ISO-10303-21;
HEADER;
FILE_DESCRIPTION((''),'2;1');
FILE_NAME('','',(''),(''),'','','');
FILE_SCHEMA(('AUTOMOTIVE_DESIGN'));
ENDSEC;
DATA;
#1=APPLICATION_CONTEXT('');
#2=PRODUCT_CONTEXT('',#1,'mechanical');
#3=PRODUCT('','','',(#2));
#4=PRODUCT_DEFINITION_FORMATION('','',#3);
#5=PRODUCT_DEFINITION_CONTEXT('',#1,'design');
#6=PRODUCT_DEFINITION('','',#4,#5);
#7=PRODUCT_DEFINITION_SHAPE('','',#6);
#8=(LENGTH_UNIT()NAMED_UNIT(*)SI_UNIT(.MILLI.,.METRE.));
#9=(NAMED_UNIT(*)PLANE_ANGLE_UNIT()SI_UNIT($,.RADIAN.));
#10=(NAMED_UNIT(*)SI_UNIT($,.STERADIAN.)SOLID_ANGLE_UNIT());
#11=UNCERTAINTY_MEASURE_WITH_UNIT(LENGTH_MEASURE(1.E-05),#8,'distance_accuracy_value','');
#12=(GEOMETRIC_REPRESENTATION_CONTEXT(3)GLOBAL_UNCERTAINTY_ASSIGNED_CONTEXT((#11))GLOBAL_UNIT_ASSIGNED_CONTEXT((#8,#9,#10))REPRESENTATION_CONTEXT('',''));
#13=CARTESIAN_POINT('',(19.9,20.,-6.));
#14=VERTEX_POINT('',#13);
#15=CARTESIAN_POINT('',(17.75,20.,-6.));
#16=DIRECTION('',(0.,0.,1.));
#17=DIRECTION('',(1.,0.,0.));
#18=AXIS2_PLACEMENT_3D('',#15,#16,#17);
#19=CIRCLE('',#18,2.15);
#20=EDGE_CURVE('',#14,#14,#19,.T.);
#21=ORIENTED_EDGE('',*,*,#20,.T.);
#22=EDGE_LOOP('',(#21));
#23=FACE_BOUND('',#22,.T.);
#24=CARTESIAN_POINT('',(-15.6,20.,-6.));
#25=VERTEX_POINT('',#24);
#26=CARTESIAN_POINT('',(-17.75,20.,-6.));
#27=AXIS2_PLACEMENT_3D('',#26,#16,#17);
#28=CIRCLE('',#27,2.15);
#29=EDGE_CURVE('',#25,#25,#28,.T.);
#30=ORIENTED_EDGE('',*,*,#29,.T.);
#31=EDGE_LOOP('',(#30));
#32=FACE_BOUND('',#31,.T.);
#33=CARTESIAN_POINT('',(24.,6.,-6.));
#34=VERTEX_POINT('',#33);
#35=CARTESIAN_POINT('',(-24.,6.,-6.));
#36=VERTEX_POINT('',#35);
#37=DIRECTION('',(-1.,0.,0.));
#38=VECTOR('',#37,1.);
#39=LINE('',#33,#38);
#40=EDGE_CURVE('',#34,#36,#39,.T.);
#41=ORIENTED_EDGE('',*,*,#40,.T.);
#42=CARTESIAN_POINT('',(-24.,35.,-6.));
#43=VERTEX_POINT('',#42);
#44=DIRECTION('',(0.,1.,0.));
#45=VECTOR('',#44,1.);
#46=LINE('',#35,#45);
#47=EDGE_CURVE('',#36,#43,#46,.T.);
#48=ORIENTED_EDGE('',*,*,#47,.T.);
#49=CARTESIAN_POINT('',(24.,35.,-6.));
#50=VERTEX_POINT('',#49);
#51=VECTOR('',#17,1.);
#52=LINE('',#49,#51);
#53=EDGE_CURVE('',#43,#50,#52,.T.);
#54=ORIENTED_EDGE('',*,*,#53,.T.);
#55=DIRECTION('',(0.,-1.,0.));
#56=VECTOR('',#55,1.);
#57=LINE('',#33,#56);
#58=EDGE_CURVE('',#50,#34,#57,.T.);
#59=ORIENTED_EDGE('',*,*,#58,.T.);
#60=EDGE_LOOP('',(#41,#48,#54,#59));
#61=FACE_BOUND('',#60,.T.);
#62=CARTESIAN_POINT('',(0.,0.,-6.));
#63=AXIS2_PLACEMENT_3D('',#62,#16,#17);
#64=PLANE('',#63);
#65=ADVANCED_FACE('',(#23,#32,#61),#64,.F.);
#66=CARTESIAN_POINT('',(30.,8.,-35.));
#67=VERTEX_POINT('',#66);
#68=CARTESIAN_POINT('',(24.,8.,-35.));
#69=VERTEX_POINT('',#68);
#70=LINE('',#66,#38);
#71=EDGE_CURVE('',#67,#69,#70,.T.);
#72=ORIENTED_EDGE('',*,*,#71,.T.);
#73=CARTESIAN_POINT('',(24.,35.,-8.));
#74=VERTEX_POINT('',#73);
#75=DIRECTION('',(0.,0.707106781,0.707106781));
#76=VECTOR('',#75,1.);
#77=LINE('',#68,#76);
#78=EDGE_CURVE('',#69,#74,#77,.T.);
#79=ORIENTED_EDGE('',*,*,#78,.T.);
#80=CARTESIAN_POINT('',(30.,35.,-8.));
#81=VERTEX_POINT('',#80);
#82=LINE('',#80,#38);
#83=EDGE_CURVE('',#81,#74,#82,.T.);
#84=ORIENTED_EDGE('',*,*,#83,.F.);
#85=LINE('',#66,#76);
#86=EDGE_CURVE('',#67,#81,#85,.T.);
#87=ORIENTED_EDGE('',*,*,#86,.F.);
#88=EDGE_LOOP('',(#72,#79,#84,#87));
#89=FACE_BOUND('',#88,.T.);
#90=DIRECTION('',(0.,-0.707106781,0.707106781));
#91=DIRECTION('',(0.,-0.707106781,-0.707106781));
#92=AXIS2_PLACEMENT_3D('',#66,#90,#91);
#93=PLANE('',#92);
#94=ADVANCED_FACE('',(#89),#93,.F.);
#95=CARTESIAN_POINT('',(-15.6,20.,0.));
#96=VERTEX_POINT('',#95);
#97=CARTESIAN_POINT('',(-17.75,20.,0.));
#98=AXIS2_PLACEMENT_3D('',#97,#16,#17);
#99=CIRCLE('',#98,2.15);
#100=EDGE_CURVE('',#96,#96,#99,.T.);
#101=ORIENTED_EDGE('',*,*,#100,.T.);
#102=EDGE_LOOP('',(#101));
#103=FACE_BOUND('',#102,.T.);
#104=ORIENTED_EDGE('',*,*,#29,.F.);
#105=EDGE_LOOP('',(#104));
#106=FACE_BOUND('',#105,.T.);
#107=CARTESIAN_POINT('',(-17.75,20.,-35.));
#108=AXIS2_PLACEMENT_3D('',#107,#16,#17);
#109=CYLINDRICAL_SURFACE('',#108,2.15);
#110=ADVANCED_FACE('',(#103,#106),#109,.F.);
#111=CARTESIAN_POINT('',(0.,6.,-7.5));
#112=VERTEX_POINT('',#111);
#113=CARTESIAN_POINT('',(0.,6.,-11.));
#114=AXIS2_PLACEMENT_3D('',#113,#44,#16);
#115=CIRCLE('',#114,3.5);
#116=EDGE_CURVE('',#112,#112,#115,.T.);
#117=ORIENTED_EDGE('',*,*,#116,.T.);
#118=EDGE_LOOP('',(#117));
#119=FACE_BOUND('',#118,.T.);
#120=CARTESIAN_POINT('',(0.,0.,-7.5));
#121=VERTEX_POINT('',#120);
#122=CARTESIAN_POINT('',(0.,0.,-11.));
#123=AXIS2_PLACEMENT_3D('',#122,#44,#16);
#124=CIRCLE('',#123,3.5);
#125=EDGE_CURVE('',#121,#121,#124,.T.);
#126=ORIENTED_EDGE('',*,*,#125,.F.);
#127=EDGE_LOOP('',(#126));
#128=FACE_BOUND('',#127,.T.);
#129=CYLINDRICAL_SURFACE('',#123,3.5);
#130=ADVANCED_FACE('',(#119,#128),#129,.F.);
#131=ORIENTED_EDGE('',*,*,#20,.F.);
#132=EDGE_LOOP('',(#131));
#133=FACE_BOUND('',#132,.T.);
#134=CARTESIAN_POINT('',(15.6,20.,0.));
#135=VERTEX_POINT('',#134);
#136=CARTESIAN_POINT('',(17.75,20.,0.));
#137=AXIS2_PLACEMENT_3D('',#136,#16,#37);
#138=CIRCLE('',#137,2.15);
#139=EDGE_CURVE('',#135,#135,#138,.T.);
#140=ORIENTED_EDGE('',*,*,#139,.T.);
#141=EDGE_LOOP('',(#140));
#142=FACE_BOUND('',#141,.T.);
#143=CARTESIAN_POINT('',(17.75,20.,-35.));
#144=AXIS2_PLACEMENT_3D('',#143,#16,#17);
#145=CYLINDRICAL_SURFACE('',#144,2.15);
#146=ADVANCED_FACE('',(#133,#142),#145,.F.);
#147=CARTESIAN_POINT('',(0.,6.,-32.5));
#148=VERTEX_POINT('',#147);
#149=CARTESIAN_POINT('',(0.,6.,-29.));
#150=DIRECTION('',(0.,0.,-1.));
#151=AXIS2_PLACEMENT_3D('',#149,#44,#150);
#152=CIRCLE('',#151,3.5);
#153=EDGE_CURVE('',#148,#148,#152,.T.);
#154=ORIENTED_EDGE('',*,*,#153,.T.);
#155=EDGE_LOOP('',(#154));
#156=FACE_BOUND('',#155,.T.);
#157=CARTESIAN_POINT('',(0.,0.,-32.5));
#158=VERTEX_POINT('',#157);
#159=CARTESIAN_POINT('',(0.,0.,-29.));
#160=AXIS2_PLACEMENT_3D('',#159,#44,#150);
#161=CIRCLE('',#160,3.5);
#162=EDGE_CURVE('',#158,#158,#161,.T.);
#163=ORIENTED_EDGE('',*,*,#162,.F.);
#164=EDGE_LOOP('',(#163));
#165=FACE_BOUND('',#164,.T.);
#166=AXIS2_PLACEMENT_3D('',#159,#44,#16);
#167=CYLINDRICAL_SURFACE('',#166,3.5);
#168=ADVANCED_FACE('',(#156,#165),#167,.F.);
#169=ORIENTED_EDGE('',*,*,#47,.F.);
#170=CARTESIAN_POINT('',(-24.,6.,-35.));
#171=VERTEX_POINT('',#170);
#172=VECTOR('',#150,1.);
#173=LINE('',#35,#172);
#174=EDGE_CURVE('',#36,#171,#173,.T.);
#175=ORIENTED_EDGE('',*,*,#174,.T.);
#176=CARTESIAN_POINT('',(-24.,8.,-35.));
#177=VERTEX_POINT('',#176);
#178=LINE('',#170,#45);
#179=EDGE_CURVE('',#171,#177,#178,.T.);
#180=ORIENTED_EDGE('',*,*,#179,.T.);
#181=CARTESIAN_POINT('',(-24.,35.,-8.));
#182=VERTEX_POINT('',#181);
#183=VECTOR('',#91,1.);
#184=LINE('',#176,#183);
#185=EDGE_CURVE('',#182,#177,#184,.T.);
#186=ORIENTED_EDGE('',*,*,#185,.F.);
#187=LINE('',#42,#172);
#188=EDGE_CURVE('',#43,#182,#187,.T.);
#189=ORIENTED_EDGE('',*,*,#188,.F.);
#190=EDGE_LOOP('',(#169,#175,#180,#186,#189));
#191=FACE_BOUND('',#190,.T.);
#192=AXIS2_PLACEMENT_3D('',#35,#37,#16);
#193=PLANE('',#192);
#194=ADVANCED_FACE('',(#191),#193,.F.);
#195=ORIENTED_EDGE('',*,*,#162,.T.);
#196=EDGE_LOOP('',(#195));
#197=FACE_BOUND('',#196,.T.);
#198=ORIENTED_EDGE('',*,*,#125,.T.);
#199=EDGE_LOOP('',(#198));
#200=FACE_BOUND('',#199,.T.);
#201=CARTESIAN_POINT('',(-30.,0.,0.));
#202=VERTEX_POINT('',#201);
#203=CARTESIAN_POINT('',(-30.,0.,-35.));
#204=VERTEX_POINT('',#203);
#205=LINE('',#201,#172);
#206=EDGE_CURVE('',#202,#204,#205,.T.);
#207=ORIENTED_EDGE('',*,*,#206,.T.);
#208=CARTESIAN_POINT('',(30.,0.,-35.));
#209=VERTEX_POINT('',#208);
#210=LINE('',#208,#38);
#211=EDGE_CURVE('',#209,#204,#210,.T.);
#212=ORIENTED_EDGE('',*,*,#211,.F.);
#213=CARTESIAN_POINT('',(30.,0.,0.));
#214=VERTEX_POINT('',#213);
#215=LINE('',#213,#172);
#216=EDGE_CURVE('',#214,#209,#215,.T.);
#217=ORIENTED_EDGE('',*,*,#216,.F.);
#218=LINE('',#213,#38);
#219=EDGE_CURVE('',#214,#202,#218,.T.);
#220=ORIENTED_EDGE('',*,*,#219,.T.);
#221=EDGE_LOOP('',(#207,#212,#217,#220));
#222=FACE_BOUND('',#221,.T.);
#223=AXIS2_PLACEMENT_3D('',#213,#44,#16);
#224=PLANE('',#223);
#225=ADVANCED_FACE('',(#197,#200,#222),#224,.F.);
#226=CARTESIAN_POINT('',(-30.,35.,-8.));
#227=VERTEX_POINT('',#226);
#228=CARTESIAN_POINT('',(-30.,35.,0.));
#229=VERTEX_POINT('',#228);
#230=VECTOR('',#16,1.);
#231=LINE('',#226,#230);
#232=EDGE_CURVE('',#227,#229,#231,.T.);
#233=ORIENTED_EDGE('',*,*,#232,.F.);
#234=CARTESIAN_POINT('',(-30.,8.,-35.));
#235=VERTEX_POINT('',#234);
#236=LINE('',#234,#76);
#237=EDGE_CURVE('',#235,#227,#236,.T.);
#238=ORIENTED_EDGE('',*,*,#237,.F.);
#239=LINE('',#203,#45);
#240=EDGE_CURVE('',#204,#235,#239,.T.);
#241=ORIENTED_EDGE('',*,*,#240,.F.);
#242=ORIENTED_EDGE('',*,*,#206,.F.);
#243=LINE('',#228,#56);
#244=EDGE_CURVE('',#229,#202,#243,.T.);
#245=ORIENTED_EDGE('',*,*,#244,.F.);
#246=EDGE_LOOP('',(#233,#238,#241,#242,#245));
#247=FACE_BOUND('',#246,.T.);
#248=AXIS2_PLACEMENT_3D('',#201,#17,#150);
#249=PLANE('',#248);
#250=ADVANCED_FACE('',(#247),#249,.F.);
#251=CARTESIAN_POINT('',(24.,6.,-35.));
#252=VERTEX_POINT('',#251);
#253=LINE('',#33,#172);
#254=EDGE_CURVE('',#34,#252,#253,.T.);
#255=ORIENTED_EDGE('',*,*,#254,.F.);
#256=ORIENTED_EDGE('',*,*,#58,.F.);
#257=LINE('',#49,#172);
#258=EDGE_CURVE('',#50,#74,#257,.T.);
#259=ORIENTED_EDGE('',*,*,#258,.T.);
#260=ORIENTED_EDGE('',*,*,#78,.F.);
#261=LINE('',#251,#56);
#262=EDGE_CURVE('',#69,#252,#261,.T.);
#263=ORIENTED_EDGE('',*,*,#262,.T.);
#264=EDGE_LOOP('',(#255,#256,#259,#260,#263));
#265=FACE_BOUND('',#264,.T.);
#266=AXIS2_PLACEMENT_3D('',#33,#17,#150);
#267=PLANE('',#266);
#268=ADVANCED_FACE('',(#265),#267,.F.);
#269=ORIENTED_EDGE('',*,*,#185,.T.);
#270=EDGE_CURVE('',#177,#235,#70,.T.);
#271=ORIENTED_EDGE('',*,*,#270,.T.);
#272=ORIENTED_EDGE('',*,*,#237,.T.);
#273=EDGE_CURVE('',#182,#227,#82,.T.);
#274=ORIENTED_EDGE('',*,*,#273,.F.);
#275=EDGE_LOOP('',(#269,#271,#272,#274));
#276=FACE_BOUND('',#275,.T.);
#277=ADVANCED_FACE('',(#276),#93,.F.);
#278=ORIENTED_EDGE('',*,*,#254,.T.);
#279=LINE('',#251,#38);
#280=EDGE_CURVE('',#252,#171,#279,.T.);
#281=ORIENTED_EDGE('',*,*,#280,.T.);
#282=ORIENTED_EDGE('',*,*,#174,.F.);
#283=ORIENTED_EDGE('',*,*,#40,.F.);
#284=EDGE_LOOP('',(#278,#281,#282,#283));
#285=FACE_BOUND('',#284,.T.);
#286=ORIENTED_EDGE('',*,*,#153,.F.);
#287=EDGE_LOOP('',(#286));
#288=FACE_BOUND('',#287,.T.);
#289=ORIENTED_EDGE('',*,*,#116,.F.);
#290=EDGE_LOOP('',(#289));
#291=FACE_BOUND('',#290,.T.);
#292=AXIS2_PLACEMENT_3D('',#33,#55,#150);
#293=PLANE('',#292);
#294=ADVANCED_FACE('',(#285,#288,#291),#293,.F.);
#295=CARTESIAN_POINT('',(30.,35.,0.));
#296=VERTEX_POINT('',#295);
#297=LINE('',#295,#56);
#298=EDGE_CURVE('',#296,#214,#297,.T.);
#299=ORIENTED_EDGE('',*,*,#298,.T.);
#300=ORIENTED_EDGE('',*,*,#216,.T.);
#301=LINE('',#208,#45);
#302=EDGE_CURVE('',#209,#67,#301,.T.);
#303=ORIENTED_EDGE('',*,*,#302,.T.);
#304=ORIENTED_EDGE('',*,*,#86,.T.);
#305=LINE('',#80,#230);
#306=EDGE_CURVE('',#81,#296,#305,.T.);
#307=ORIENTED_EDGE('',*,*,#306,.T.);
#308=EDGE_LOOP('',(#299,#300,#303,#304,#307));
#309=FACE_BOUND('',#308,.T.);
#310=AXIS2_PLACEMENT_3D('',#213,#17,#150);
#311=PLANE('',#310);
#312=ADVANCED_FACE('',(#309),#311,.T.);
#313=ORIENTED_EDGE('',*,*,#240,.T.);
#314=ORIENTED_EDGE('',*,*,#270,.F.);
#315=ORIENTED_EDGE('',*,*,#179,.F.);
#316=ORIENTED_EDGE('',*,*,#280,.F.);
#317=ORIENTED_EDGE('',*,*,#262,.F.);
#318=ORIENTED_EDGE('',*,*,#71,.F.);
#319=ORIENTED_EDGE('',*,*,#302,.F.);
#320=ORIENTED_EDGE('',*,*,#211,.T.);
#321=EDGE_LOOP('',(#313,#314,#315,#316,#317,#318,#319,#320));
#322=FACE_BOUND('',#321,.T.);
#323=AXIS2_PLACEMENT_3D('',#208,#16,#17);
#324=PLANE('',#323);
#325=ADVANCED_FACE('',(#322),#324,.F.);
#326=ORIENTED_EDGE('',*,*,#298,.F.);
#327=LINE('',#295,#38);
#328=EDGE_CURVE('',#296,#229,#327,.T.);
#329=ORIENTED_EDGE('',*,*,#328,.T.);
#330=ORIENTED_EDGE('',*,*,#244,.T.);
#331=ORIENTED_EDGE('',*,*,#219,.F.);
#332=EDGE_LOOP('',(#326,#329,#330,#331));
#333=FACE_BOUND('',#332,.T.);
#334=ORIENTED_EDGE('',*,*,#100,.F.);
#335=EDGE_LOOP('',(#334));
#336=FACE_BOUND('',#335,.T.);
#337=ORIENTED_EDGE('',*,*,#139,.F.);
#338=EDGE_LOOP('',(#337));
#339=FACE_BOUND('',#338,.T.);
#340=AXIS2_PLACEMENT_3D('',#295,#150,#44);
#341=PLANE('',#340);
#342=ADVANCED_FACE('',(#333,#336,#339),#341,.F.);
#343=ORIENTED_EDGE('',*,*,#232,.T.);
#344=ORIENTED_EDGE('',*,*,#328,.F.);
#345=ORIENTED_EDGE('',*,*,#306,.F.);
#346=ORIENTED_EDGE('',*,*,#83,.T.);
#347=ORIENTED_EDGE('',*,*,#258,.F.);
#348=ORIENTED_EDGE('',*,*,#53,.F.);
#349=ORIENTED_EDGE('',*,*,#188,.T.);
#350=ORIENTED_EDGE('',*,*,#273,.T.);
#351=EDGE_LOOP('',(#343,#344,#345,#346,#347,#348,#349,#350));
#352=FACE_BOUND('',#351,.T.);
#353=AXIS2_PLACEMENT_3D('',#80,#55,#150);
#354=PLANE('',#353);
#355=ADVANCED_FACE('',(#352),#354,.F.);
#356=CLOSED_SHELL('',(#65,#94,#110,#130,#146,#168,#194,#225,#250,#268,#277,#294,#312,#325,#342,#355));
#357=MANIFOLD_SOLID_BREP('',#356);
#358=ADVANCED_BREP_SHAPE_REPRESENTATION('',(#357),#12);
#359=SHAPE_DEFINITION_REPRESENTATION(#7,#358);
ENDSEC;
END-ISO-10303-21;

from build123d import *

# Parameters (mm, degrees)
BOSS_EXTRUDE1_DEPTH = 30
SKETCH5_W           = 48
SKETCH5_H           = 29
CUT_EXTRUDE1_DEPTH  = 29
SKETCH4_R           = 2.15
CUT_EXTRUDE2_DEPTH  = 58.879184514
SKETCH6_R           = 3.5
CUT_EXTRUDE3_DEPTH  = 55.460995217


with BuildPart() as part:
    # Sketch2 → Boss-Extrude1 (new, symmetric)
    with BuildSketch(Plane(origin=(0, 0, 0), x_dir=(0, 0, -1), z_dir=(1, 0, 0))):
        Polygon((0, 0), (35, 0), (35, 8), (8, 35), (0, 35), align=None)
    extrude(amount=BOSS_EXTRUDE1_DEPTH, both=True)

    # Sketch5 → Cut-Extrude1 (cut)
    with BuildSketch(Plane(origin=(0, 0, -35), x_dir=(-1, 0, 0), z_dir=(0, 0, -1))):
        with Locations((0, 20.5)):
            Rectangle(SKETCH5_W, SKETCH5_H)
    extrude(amount=-CUT_EXTRUDE1_DEPTH, mode=Mode.SUBTRACT)

    # Sketch4 → Cut-Extrude2 (cut, through all)
    with BuildSketch(Plane.XY):
        with Locations((-17.75, 20)):
            Circle(SKETCH4_R)
        with Locations((17.75, 20)):
            Circle(SKETCH4_R)
    extrude(amount=-CUT_EXTRUDE2_DEPTH, mode=Mode.SUBTRACT)

    # Sketch6 → Cut-Extrude3 (cut, through all)
    with BuildSketch(Plane(origin=(0, 6, 0), x_dir=(1, 0, 0), z_dir=(0, 1, 0))):
        with Locations(Location((0, 11, 0), (0, 0, 270))):
            Circle(SKETCH6_R)
        with Locations(Location((0, 29, 0), (0, 0, 90))):
            Circle(SKETCH6_R)
    extrude(amount=-CUT_EXTRUDE3_DEPTH, mode=Mode.SUBTRACT)


solid = part.part
